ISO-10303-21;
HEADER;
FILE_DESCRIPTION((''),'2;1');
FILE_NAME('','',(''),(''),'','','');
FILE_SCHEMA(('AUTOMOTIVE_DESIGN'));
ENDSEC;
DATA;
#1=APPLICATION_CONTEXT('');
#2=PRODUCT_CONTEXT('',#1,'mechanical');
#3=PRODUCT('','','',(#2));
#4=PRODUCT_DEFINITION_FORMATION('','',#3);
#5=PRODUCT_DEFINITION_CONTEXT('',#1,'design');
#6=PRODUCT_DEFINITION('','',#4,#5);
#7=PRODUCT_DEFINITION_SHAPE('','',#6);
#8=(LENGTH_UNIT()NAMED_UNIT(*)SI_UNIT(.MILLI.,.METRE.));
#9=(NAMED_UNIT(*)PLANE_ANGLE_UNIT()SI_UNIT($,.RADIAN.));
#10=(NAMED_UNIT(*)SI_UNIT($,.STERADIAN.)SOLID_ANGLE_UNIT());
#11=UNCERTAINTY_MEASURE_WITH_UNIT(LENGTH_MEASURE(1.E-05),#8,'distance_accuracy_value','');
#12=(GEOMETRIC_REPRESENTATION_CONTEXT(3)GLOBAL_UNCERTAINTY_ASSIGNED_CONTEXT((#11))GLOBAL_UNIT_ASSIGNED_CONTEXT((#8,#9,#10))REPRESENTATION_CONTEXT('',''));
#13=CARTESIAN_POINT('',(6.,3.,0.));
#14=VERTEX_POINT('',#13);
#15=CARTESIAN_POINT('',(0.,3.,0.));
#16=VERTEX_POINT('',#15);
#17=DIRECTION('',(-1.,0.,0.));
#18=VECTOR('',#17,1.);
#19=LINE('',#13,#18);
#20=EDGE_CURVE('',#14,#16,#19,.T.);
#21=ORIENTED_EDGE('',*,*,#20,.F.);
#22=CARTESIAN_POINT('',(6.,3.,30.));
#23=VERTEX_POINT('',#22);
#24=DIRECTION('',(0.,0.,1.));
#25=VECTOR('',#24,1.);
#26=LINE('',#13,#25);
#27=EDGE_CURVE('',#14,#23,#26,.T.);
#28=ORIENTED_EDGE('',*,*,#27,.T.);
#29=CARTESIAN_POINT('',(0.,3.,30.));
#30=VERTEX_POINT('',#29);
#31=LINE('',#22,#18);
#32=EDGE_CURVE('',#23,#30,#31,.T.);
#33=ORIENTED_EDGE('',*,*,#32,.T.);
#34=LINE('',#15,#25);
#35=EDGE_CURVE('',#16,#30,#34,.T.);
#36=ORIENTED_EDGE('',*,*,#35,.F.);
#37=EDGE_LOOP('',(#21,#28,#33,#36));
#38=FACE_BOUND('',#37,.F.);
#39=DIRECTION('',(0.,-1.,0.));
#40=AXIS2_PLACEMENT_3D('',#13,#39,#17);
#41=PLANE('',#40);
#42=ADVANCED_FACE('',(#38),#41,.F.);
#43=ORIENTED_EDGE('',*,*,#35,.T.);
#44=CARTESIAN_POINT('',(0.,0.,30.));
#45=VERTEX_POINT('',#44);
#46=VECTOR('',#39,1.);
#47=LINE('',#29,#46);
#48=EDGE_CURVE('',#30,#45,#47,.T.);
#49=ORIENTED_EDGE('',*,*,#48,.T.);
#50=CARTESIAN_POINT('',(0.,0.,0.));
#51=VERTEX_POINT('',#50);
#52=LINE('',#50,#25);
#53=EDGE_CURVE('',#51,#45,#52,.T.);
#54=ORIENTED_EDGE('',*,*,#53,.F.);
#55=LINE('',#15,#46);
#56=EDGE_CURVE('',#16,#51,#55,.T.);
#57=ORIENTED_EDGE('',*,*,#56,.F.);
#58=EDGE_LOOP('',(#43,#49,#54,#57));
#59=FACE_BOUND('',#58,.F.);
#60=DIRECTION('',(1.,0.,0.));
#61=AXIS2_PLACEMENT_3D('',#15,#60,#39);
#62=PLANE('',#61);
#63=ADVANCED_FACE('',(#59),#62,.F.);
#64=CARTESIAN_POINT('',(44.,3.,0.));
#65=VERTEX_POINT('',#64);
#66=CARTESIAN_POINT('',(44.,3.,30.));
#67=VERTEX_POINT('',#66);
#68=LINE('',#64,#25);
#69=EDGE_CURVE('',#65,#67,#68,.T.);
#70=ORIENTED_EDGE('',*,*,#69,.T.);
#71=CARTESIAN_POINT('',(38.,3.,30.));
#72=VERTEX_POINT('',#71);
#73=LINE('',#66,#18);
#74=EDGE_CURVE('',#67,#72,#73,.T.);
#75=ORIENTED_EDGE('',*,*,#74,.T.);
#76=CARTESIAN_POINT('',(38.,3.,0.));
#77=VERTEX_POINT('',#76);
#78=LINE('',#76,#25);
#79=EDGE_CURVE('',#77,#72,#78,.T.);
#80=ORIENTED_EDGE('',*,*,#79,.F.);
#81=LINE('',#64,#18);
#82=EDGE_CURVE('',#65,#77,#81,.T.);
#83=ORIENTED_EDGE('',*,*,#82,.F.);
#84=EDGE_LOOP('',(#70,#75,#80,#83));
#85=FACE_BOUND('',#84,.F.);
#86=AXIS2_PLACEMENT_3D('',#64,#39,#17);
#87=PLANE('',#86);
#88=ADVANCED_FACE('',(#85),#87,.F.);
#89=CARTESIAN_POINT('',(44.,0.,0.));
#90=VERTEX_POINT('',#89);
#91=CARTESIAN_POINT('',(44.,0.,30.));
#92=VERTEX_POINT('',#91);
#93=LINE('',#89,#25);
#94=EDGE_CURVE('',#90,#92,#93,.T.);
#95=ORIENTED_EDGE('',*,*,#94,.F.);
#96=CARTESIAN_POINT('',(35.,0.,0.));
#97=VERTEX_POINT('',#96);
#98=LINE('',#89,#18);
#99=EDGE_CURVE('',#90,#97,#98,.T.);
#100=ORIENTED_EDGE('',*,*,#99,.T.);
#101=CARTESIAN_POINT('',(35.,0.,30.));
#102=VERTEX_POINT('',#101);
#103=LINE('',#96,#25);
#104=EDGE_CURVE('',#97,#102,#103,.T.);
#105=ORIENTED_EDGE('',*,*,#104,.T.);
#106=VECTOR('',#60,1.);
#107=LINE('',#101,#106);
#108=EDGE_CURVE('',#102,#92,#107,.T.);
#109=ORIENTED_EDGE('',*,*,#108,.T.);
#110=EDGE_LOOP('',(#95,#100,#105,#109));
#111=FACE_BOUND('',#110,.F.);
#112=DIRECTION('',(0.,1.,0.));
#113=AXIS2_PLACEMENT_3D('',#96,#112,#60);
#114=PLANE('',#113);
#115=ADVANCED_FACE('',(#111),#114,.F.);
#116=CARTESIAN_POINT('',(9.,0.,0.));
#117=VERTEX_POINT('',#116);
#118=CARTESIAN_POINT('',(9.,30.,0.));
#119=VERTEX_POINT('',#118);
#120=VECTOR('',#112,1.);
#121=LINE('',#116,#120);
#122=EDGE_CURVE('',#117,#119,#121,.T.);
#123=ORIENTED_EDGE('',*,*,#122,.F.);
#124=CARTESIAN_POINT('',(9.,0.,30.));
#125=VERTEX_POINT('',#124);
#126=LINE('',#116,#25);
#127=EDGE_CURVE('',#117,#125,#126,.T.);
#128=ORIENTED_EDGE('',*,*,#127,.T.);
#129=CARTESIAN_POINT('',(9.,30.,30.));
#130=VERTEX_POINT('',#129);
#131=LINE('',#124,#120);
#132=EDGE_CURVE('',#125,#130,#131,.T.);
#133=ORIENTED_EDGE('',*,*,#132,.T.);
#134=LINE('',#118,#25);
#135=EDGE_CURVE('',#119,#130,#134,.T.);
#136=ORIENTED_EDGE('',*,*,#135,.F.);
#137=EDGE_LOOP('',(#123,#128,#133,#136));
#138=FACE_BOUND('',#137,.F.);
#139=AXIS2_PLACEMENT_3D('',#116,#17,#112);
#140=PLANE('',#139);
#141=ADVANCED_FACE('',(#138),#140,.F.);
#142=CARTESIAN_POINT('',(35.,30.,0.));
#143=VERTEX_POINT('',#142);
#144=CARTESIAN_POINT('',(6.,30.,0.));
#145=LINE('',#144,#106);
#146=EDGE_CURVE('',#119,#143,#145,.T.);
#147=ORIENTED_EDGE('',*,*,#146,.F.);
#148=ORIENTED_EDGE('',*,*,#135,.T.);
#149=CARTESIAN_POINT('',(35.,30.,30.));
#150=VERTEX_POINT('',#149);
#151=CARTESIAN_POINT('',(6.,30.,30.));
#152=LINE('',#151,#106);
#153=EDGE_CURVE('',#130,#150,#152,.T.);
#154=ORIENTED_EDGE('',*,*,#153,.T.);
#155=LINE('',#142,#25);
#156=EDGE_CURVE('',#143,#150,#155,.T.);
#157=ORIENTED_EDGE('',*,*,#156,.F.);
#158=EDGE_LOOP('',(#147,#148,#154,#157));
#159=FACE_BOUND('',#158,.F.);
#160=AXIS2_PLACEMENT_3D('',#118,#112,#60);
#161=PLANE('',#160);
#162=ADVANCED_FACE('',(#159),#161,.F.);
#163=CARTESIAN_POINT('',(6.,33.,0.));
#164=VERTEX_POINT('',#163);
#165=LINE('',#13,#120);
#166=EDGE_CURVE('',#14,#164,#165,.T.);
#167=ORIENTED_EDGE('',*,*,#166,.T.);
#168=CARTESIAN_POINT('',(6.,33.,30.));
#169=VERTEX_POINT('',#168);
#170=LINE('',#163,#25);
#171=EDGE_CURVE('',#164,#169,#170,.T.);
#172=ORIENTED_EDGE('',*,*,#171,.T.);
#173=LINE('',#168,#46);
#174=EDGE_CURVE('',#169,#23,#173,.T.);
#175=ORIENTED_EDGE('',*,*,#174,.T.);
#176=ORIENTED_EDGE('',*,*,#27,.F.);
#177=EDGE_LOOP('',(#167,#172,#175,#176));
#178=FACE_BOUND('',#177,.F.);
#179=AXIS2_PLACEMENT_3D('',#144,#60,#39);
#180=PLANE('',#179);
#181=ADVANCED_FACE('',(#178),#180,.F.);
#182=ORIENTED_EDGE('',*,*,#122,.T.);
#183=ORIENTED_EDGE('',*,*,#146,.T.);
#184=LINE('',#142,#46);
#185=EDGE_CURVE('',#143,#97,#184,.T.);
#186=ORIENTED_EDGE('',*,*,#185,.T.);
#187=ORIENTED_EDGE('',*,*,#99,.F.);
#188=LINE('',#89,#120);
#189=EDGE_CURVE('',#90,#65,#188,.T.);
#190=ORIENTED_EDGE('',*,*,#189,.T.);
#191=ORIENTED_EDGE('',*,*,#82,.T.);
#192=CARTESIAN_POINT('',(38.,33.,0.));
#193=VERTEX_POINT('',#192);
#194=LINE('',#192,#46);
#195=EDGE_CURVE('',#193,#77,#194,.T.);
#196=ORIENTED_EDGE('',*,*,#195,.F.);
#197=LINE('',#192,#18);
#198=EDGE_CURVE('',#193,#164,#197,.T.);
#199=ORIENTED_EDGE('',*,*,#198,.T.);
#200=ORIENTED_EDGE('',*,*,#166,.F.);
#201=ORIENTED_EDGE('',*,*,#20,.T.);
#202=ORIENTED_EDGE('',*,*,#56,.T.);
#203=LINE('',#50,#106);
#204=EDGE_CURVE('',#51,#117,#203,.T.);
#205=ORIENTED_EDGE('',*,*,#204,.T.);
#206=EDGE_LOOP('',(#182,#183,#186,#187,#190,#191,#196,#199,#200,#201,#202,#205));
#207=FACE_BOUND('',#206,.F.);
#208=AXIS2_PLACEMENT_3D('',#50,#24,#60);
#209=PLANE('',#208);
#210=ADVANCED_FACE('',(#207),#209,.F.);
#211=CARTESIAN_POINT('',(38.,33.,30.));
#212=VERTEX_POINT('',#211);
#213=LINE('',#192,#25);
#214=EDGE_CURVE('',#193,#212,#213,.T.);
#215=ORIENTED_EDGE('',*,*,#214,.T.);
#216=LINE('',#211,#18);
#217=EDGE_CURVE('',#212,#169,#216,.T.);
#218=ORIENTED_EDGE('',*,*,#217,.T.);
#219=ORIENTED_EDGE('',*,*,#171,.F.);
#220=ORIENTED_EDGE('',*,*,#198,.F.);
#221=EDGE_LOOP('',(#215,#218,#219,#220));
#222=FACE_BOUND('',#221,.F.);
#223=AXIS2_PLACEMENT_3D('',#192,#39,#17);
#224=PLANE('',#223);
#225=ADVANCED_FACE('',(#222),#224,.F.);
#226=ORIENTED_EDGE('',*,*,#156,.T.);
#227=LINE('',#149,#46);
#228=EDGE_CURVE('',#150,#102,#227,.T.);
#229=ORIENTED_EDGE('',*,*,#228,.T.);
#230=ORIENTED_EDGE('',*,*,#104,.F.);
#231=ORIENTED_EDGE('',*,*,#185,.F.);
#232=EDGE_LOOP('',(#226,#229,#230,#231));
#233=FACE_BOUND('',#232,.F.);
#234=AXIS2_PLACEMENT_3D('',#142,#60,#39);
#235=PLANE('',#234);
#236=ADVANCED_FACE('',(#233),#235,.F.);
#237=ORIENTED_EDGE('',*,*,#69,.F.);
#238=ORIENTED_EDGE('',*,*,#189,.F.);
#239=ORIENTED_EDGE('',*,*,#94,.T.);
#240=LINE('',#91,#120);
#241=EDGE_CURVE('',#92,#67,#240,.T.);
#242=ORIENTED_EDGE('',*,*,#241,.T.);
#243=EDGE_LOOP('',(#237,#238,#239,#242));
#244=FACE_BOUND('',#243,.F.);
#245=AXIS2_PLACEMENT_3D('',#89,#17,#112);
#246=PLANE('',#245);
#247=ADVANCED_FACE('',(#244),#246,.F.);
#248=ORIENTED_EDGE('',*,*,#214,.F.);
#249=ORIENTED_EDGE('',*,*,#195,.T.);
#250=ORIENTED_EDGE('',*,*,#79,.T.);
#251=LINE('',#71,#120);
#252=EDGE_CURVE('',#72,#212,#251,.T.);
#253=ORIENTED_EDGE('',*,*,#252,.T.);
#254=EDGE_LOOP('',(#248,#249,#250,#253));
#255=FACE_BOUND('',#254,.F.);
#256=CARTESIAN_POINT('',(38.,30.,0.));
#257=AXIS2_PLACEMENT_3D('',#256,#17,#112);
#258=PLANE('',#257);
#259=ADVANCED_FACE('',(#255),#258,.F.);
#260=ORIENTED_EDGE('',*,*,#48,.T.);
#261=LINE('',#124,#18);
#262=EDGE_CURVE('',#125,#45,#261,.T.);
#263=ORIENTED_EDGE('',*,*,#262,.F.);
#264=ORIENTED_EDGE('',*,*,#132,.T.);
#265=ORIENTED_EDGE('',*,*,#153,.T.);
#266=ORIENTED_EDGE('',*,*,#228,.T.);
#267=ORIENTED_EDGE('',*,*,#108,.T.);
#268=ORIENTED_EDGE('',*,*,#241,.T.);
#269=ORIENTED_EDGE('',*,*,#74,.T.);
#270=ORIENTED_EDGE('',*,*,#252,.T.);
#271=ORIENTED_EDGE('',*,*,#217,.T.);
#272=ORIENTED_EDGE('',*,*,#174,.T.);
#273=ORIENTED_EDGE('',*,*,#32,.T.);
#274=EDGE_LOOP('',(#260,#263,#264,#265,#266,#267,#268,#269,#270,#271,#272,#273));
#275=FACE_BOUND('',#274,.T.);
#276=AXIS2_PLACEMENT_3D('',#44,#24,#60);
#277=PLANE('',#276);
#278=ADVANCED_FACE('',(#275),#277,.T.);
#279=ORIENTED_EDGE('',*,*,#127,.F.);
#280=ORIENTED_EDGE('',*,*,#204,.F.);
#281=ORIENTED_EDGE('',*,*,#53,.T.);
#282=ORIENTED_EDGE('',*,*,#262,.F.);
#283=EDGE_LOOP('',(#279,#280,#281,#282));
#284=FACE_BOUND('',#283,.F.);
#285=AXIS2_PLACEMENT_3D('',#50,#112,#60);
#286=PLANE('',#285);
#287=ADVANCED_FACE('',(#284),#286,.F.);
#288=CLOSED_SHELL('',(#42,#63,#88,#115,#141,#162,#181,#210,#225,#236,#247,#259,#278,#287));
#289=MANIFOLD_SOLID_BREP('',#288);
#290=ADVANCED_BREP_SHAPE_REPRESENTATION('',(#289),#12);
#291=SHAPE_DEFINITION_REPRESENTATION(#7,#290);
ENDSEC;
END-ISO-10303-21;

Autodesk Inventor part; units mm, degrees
ref_plane "YZ Plane" through (0, 0, 0) normal (1, 0, 0) x (0, 1, 0)
ref_plane "XZ Plane" through (0, 0, 0) normal (0, 1, 0) x (-1, 0, 0)
ref_plane "XY Plane" through (0, 0, 0) normal (0, 0, 1) x (1, 0, 0)
sketch "Sketch2" plane through (0, 0, 0) normal (0, 0, 1) x (1, 0, 0)
  line L0 (0, 0) -> (6, 0)
  line L1 (6, 0) -> (6, 3)
  line L2 (6, 3) -> (0, 3)
  line L3 (0, 3) -> (0, 0)
  line L4 (6, 0) -> (9, 0)
  line L5 (9, 0) -> (9, 30)
  line L6 (9, 30) -> (6, 30)
  line L7 (6, 30) -> (6, 0)
  line L8 (6, 30) -> (38, 30)
  line L9 (38, 30) -> (38, 33)
  line L10 (38, 33) -> (6, 33)
  line L11 (6, 33) -> (6, 30)
  line L12 (38, 30) -> (35, 30)
  line L13 (35, 30) -> (35, 0)
  line L14 (35, 0) -> (38, 0)
  line L15 (38, 0) -> (38, 30)
  line L16 (38, 0) -> (44, 0)
  line L17 (44, 0) -> (44, 3)
  line L18 (44, 3) -> (38, 3)
  line L19 (38, 3) -> (38, 0)
  dimension "d0" = 6
  dimension "d1" = 3
  dimension "d2" = 3
  dimension "d3" = 30
  dimension "d4" = 32
  dimension "d5" = 3
  dimension "d6" = 3
  dimension "d7" = 30
  dimension "d8" = 6
  dimension "d9" = 3
extrude "Extrusion1" add sketch "Sketch2" along normal blind 30
properties part number "imu_case_2"
